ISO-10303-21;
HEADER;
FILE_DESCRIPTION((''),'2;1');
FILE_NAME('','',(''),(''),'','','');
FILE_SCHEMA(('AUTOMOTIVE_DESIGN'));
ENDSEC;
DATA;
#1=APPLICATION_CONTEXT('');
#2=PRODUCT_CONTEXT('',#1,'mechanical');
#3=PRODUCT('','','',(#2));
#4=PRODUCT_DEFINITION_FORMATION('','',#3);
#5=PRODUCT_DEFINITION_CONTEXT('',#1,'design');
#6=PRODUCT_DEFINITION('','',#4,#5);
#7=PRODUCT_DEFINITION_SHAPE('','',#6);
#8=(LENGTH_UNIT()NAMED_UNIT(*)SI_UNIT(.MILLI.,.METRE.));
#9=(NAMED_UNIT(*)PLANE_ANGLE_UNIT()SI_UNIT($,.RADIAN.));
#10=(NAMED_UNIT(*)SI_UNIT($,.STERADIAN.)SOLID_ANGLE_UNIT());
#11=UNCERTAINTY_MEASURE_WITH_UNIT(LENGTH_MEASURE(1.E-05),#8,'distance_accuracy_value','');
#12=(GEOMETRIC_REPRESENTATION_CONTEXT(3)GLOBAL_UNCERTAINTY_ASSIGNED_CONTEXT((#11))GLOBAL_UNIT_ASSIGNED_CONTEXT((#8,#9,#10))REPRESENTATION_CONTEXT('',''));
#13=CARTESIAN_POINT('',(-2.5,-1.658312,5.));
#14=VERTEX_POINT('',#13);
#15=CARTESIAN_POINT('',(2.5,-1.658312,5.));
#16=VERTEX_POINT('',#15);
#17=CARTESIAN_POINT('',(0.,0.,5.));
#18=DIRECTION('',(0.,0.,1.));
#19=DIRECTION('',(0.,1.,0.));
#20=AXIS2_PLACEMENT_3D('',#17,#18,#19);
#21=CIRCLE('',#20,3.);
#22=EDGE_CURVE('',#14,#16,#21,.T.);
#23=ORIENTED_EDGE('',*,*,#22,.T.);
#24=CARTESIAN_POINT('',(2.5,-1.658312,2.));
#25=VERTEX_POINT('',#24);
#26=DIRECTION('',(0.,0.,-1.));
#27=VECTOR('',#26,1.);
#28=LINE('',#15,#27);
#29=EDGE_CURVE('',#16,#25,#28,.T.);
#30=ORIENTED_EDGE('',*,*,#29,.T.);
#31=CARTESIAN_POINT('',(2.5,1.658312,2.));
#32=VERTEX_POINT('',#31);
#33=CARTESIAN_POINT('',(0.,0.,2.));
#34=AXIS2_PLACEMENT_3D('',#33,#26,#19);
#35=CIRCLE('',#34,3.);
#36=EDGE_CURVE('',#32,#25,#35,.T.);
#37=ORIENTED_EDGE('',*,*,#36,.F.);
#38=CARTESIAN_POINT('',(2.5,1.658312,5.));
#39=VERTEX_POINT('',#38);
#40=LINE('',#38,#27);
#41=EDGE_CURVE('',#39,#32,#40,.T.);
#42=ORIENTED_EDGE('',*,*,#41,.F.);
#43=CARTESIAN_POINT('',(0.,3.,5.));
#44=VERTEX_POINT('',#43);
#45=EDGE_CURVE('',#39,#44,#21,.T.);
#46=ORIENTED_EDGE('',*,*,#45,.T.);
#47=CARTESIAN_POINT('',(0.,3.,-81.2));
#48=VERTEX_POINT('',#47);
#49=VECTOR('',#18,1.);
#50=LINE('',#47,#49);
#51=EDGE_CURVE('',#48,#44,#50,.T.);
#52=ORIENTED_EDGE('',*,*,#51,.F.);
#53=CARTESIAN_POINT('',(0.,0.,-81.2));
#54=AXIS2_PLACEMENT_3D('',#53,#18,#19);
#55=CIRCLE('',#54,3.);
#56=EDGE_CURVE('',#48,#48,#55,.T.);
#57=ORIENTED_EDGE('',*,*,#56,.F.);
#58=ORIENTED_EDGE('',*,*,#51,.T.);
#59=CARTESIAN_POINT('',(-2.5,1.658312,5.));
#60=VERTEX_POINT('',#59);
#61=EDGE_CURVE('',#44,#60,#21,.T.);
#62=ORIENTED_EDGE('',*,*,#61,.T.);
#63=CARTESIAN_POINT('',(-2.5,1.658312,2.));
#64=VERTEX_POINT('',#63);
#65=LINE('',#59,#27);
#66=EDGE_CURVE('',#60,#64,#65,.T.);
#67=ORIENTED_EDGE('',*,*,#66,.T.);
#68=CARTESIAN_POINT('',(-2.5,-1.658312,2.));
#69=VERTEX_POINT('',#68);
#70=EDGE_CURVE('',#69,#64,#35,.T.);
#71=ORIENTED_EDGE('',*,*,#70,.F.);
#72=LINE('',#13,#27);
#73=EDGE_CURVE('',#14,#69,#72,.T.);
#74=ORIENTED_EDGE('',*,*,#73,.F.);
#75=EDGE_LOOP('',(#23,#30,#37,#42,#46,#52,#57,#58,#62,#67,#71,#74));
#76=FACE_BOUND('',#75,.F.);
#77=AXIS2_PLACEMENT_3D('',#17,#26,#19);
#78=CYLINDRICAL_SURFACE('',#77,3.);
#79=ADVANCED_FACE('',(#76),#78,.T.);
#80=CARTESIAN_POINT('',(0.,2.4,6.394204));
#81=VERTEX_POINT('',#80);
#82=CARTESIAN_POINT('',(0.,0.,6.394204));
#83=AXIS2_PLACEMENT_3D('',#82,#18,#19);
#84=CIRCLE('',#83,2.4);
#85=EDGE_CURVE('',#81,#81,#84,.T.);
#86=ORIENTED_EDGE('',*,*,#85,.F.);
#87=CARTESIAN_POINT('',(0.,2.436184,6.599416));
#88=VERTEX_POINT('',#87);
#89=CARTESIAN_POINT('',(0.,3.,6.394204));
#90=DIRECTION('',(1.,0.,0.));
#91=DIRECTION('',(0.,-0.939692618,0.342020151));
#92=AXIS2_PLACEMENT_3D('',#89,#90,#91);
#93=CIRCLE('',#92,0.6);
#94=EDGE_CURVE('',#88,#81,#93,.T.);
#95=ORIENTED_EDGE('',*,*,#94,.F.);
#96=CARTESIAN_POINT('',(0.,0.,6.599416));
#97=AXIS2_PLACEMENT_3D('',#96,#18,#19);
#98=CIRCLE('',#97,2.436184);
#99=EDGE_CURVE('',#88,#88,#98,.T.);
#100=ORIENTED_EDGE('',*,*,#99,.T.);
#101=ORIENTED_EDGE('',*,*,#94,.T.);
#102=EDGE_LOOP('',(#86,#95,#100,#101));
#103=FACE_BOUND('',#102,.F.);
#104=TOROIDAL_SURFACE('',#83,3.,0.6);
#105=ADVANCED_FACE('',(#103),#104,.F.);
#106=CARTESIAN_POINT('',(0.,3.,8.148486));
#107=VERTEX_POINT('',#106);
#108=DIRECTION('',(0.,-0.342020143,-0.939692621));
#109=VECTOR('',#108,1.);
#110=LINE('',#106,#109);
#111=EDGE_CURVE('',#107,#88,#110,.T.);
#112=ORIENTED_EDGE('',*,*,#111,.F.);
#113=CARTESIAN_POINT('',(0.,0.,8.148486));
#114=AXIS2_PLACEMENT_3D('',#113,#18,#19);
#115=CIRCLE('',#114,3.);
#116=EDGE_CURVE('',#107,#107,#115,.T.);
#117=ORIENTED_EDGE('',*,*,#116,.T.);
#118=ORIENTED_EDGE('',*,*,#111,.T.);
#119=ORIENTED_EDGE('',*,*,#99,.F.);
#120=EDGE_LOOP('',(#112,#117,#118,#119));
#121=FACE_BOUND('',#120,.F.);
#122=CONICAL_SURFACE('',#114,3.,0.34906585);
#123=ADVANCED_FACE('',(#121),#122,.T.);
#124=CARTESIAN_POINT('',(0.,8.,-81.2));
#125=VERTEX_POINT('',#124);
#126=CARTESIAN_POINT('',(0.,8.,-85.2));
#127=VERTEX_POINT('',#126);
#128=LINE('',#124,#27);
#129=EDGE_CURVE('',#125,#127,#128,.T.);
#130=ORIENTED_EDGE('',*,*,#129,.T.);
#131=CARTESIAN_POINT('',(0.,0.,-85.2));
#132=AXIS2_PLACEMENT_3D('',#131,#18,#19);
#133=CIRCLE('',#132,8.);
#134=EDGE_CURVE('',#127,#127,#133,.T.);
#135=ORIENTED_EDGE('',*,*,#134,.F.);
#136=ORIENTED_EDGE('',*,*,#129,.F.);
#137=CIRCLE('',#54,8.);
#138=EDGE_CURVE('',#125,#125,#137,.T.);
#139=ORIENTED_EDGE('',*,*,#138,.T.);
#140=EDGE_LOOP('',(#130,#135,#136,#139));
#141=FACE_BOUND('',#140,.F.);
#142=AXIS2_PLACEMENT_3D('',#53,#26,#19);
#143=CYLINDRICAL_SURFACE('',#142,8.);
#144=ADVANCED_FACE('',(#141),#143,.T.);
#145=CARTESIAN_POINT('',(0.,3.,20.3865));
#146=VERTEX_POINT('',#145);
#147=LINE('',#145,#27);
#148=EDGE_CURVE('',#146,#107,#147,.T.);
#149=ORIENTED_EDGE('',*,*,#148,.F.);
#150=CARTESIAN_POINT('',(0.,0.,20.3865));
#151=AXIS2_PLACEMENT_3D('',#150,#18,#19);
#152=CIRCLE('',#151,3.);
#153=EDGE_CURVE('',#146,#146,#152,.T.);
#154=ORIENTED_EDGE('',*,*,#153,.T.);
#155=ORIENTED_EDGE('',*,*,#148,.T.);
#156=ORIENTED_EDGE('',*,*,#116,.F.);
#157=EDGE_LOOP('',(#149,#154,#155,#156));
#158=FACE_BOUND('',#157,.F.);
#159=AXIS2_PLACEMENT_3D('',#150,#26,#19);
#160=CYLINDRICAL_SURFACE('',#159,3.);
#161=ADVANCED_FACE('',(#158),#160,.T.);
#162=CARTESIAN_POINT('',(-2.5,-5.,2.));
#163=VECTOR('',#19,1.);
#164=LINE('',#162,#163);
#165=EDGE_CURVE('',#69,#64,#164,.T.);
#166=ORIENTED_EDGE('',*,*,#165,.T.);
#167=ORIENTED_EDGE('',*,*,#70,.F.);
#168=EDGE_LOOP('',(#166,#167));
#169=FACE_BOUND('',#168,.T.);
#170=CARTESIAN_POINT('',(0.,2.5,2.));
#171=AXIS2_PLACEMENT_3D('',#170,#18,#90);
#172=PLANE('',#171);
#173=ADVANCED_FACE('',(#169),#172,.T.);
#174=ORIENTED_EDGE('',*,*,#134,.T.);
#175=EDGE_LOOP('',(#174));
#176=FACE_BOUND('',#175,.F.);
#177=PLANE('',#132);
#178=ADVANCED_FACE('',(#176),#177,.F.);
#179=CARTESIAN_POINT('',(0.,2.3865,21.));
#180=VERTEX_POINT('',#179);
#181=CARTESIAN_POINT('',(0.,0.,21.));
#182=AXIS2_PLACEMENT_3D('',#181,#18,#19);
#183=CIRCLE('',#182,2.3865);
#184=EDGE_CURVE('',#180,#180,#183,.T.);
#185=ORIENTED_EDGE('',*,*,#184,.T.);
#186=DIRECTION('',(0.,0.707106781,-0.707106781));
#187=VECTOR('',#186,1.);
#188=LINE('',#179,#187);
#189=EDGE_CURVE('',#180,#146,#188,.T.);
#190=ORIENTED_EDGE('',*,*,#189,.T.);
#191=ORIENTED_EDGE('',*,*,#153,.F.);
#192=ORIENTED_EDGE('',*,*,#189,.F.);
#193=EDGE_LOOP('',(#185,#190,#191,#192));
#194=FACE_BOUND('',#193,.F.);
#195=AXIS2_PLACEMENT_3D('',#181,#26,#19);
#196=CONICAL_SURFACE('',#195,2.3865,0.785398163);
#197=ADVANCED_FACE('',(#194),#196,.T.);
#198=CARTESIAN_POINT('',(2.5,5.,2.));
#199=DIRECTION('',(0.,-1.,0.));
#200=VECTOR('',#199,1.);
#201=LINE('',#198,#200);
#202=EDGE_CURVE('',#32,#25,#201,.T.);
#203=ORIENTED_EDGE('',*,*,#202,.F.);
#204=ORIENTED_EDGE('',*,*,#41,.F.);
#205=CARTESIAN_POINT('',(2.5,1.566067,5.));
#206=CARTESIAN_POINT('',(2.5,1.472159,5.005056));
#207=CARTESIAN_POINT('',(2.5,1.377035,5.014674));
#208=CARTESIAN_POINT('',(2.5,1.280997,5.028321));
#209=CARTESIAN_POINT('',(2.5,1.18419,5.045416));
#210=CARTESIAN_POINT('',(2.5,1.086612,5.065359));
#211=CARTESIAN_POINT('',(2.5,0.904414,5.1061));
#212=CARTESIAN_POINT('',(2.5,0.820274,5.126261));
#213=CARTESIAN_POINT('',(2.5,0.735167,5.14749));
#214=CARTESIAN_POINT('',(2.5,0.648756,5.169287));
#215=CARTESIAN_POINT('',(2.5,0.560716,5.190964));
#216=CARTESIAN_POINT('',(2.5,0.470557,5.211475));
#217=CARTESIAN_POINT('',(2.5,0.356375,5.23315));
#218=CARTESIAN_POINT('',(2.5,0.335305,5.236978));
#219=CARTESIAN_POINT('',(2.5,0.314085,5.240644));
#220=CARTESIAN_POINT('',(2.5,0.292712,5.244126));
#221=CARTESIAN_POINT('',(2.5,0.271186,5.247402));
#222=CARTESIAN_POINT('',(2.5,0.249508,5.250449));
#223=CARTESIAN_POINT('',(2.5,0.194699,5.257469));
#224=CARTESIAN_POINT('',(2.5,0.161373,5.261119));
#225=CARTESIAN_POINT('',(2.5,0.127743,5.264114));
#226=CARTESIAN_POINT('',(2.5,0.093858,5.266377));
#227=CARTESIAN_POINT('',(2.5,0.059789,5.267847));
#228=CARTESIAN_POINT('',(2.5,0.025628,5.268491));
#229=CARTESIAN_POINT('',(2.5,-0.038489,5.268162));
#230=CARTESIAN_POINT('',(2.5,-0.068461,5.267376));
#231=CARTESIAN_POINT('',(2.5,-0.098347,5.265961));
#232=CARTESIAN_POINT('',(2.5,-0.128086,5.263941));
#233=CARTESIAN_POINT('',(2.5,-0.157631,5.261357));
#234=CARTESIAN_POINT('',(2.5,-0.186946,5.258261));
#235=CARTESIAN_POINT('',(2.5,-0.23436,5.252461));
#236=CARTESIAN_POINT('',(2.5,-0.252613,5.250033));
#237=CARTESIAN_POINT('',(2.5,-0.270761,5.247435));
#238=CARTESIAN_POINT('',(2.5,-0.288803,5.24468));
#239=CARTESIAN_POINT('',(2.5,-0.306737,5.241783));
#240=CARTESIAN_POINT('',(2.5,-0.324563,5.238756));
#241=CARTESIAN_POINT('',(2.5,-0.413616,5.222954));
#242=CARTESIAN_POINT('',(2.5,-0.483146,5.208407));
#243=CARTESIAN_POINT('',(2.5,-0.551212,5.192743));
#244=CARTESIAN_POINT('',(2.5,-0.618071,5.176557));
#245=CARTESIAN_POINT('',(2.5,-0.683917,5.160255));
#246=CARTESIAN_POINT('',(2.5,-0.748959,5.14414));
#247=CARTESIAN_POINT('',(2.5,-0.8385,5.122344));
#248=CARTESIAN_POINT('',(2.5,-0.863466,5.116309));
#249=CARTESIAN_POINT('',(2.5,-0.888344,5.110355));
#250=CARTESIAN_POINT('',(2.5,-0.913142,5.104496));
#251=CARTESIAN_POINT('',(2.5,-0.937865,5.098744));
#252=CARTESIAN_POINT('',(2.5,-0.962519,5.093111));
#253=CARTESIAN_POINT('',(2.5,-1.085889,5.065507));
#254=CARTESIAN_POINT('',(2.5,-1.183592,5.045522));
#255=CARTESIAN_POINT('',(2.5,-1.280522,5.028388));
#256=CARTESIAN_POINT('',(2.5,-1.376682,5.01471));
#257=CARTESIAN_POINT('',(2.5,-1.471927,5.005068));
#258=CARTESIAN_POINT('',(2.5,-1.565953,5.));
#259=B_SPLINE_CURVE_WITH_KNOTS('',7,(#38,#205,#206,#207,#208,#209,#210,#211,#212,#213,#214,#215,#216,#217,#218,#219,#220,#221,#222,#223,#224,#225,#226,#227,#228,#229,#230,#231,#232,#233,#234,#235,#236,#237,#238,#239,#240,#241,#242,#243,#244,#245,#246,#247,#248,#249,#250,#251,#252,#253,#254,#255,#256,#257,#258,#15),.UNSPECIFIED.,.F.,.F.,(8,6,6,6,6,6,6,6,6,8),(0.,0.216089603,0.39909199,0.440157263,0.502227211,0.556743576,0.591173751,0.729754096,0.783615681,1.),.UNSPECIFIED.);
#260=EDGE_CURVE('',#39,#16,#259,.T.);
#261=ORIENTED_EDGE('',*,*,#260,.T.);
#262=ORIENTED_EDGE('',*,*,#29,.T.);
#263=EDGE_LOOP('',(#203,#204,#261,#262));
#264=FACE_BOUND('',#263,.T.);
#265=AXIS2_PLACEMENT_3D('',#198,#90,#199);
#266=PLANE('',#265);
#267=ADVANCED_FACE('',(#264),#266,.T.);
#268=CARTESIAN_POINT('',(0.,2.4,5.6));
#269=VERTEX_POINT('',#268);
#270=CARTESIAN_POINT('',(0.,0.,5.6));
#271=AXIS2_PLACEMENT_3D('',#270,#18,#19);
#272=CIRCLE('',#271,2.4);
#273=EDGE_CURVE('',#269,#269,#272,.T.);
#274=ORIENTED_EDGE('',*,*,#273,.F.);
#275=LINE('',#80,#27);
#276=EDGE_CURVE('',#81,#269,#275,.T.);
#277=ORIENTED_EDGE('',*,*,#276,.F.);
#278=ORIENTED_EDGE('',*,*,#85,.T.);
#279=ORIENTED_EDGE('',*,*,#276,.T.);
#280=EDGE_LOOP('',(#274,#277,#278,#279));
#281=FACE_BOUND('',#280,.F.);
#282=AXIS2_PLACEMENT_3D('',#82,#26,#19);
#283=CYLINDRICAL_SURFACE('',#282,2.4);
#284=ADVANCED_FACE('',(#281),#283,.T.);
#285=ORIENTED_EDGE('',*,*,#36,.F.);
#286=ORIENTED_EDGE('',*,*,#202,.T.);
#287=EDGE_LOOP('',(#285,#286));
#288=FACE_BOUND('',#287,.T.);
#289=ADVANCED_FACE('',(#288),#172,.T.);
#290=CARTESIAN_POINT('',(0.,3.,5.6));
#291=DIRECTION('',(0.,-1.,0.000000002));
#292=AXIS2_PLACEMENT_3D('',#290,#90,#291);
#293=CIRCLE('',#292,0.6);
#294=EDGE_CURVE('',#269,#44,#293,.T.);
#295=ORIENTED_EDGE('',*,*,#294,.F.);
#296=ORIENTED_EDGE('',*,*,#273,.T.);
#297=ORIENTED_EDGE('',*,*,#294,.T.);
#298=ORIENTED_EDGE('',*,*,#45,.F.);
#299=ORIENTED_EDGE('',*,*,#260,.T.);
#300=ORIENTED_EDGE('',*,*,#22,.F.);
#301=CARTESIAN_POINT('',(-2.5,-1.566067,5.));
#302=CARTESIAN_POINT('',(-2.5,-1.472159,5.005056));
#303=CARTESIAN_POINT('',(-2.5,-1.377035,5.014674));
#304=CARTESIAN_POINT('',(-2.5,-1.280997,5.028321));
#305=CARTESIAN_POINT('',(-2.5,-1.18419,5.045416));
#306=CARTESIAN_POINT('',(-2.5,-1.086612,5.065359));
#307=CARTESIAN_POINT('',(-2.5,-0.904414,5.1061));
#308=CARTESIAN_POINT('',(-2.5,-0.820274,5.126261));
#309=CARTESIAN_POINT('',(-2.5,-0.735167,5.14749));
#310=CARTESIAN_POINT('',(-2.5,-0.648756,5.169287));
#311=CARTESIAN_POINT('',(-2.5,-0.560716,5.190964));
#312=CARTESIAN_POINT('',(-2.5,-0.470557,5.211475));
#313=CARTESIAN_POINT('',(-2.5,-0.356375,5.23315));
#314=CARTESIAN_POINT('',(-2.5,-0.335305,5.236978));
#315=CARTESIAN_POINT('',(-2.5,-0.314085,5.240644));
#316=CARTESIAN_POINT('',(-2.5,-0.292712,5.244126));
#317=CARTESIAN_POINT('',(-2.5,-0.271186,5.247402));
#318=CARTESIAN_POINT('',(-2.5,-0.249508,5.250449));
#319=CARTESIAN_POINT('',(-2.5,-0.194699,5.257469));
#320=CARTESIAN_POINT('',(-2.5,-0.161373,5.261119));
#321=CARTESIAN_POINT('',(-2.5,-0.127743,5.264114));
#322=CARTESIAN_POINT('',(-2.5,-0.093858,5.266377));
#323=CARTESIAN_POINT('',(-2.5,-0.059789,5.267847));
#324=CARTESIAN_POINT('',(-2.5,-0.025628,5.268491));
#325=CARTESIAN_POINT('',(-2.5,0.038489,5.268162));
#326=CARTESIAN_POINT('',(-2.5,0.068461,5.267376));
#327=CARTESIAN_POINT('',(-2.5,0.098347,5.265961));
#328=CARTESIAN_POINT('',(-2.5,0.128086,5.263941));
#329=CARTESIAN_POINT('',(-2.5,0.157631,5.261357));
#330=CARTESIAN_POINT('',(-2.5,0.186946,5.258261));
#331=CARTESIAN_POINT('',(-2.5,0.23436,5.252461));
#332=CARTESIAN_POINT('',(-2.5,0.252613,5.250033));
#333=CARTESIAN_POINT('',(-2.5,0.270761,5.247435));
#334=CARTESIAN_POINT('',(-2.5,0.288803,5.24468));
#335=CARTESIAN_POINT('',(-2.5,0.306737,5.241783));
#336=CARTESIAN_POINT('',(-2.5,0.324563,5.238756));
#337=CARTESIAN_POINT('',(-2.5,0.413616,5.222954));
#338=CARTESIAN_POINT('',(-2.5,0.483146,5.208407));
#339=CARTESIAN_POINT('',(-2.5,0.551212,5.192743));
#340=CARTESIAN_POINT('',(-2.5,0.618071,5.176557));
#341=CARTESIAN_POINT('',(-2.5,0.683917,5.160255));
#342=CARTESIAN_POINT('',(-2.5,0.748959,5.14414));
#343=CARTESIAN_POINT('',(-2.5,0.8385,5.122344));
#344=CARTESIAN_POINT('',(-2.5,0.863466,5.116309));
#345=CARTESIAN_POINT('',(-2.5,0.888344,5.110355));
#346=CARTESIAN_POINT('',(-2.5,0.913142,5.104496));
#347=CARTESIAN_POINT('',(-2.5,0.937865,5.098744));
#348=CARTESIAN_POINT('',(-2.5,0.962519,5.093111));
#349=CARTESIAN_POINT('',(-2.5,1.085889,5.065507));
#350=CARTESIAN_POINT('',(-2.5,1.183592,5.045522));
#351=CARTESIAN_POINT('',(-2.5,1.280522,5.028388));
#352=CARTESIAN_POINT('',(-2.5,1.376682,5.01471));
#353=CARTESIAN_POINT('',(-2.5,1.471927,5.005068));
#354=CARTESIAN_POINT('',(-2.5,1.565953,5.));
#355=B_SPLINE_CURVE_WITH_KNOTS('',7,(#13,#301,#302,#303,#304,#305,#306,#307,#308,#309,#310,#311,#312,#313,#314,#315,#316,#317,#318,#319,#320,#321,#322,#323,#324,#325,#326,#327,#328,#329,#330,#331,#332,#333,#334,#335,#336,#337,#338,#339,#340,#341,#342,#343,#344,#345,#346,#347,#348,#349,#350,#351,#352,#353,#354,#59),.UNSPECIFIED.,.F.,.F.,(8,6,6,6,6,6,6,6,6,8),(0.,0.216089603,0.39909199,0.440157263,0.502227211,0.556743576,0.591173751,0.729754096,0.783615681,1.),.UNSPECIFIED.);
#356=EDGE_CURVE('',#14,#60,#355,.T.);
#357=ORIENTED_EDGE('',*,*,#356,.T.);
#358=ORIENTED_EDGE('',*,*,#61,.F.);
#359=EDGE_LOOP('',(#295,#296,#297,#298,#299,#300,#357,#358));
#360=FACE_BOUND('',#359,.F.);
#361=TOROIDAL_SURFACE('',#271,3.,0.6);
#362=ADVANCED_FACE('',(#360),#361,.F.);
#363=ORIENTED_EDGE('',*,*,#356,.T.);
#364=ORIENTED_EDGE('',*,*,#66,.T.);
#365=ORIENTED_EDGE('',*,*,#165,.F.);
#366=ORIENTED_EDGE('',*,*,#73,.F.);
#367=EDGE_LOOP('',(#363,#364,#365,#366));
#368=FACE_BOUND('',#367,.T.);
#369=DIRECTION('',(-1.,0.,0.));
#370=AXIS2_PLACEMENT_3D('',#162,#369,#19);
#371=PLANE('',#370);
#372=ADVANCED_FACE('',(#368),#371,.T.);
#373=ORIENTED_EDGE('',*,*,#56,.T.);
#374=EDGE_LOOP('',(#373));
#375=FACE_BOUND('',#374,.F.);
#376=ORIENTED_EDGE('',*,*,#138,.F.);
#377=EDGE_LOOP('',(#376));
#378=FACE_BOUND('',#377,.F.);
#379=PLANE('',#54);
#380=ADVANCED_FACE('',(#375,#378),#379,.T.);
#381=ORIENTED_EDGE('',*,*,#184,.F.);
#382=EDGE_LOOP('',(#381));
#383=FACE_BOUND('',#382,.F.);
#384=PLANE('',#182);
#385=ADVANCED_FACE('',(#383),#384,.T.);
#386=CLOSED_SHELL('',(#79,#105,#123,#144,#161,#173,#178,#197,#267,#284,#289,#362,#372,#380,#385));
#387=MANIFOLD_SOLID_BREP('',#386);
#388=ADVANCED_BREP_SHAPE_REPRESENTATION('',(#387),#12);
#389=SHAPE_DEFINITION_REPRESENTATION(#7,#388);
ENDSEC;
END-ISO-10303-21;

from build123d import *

# Parameters (mm, degrees)
CUT_EXTRUDE1_DEPTH = 4


with BuildPart() as part:
    # Sketch1 → Revolve1 (revolve)
    with BuildSketch(Plane(origin=(0, 0, 0), x_dir=(0, 0, -1), z_dir=(1, 0, 0))):
        Polygon((-5, 0), (-5, 3), (81.2, 3), (81.2, 8), (85.2, 8), (85.2, 0), align=None)
    revolve(axis=Axis((0, 0, -85.2), (0, 0, 1)))

    # Sketch2 → Revolve2 (revolve)
    with BuildSketch(Plane(origin=(0, 0, 0), x_dir=(0, 0, -1), z_dir=(1, 0, 0))):
        with BuildLine():
            Line((-21, 0), (-21, 2.3865))
            Line((-21, 2.3865), (-20.3865, 3))
            Line((-20.3865, 3), (-8.148486452, 3))
            Line((-8.148486452, 3), (-6.599415898, 2.436184428))
            ThreePointArc((-6.599415898, 2.436184428), (-6.498392718, 2.409115348), (-6.394203812, 2.4))
            Line((-6.394203812, 2.4), (-5.6, 2.4))
            ThreePointArc((-5.6, 2.4), (-5.175735931, 2.575735931), (-5, 3))
            Line((-5, 3), (-4, 3))
            Line((-4, 3), (-4, 0))
            Line((-4, 0), (-21, 0))
        make_face()
    revolve(axis=Axis((0, 0, 4), (0, 0, 1)))

    # Sketch3 → Cut-Extrude1 (cut)
    with BuildSketch(Plane.XY.offset(2)):
        Polygon((-5, 10), (-5, -5), (-2.5, -5), (-2.5, 5), (2.5, 5), (2.5, -5), (5, -5), (5, 10), align=None)
    extrude(amount=CUT_EXTRUDE1_DEPTH, mode=Mode.SUBTRACT)


solid = part.part
